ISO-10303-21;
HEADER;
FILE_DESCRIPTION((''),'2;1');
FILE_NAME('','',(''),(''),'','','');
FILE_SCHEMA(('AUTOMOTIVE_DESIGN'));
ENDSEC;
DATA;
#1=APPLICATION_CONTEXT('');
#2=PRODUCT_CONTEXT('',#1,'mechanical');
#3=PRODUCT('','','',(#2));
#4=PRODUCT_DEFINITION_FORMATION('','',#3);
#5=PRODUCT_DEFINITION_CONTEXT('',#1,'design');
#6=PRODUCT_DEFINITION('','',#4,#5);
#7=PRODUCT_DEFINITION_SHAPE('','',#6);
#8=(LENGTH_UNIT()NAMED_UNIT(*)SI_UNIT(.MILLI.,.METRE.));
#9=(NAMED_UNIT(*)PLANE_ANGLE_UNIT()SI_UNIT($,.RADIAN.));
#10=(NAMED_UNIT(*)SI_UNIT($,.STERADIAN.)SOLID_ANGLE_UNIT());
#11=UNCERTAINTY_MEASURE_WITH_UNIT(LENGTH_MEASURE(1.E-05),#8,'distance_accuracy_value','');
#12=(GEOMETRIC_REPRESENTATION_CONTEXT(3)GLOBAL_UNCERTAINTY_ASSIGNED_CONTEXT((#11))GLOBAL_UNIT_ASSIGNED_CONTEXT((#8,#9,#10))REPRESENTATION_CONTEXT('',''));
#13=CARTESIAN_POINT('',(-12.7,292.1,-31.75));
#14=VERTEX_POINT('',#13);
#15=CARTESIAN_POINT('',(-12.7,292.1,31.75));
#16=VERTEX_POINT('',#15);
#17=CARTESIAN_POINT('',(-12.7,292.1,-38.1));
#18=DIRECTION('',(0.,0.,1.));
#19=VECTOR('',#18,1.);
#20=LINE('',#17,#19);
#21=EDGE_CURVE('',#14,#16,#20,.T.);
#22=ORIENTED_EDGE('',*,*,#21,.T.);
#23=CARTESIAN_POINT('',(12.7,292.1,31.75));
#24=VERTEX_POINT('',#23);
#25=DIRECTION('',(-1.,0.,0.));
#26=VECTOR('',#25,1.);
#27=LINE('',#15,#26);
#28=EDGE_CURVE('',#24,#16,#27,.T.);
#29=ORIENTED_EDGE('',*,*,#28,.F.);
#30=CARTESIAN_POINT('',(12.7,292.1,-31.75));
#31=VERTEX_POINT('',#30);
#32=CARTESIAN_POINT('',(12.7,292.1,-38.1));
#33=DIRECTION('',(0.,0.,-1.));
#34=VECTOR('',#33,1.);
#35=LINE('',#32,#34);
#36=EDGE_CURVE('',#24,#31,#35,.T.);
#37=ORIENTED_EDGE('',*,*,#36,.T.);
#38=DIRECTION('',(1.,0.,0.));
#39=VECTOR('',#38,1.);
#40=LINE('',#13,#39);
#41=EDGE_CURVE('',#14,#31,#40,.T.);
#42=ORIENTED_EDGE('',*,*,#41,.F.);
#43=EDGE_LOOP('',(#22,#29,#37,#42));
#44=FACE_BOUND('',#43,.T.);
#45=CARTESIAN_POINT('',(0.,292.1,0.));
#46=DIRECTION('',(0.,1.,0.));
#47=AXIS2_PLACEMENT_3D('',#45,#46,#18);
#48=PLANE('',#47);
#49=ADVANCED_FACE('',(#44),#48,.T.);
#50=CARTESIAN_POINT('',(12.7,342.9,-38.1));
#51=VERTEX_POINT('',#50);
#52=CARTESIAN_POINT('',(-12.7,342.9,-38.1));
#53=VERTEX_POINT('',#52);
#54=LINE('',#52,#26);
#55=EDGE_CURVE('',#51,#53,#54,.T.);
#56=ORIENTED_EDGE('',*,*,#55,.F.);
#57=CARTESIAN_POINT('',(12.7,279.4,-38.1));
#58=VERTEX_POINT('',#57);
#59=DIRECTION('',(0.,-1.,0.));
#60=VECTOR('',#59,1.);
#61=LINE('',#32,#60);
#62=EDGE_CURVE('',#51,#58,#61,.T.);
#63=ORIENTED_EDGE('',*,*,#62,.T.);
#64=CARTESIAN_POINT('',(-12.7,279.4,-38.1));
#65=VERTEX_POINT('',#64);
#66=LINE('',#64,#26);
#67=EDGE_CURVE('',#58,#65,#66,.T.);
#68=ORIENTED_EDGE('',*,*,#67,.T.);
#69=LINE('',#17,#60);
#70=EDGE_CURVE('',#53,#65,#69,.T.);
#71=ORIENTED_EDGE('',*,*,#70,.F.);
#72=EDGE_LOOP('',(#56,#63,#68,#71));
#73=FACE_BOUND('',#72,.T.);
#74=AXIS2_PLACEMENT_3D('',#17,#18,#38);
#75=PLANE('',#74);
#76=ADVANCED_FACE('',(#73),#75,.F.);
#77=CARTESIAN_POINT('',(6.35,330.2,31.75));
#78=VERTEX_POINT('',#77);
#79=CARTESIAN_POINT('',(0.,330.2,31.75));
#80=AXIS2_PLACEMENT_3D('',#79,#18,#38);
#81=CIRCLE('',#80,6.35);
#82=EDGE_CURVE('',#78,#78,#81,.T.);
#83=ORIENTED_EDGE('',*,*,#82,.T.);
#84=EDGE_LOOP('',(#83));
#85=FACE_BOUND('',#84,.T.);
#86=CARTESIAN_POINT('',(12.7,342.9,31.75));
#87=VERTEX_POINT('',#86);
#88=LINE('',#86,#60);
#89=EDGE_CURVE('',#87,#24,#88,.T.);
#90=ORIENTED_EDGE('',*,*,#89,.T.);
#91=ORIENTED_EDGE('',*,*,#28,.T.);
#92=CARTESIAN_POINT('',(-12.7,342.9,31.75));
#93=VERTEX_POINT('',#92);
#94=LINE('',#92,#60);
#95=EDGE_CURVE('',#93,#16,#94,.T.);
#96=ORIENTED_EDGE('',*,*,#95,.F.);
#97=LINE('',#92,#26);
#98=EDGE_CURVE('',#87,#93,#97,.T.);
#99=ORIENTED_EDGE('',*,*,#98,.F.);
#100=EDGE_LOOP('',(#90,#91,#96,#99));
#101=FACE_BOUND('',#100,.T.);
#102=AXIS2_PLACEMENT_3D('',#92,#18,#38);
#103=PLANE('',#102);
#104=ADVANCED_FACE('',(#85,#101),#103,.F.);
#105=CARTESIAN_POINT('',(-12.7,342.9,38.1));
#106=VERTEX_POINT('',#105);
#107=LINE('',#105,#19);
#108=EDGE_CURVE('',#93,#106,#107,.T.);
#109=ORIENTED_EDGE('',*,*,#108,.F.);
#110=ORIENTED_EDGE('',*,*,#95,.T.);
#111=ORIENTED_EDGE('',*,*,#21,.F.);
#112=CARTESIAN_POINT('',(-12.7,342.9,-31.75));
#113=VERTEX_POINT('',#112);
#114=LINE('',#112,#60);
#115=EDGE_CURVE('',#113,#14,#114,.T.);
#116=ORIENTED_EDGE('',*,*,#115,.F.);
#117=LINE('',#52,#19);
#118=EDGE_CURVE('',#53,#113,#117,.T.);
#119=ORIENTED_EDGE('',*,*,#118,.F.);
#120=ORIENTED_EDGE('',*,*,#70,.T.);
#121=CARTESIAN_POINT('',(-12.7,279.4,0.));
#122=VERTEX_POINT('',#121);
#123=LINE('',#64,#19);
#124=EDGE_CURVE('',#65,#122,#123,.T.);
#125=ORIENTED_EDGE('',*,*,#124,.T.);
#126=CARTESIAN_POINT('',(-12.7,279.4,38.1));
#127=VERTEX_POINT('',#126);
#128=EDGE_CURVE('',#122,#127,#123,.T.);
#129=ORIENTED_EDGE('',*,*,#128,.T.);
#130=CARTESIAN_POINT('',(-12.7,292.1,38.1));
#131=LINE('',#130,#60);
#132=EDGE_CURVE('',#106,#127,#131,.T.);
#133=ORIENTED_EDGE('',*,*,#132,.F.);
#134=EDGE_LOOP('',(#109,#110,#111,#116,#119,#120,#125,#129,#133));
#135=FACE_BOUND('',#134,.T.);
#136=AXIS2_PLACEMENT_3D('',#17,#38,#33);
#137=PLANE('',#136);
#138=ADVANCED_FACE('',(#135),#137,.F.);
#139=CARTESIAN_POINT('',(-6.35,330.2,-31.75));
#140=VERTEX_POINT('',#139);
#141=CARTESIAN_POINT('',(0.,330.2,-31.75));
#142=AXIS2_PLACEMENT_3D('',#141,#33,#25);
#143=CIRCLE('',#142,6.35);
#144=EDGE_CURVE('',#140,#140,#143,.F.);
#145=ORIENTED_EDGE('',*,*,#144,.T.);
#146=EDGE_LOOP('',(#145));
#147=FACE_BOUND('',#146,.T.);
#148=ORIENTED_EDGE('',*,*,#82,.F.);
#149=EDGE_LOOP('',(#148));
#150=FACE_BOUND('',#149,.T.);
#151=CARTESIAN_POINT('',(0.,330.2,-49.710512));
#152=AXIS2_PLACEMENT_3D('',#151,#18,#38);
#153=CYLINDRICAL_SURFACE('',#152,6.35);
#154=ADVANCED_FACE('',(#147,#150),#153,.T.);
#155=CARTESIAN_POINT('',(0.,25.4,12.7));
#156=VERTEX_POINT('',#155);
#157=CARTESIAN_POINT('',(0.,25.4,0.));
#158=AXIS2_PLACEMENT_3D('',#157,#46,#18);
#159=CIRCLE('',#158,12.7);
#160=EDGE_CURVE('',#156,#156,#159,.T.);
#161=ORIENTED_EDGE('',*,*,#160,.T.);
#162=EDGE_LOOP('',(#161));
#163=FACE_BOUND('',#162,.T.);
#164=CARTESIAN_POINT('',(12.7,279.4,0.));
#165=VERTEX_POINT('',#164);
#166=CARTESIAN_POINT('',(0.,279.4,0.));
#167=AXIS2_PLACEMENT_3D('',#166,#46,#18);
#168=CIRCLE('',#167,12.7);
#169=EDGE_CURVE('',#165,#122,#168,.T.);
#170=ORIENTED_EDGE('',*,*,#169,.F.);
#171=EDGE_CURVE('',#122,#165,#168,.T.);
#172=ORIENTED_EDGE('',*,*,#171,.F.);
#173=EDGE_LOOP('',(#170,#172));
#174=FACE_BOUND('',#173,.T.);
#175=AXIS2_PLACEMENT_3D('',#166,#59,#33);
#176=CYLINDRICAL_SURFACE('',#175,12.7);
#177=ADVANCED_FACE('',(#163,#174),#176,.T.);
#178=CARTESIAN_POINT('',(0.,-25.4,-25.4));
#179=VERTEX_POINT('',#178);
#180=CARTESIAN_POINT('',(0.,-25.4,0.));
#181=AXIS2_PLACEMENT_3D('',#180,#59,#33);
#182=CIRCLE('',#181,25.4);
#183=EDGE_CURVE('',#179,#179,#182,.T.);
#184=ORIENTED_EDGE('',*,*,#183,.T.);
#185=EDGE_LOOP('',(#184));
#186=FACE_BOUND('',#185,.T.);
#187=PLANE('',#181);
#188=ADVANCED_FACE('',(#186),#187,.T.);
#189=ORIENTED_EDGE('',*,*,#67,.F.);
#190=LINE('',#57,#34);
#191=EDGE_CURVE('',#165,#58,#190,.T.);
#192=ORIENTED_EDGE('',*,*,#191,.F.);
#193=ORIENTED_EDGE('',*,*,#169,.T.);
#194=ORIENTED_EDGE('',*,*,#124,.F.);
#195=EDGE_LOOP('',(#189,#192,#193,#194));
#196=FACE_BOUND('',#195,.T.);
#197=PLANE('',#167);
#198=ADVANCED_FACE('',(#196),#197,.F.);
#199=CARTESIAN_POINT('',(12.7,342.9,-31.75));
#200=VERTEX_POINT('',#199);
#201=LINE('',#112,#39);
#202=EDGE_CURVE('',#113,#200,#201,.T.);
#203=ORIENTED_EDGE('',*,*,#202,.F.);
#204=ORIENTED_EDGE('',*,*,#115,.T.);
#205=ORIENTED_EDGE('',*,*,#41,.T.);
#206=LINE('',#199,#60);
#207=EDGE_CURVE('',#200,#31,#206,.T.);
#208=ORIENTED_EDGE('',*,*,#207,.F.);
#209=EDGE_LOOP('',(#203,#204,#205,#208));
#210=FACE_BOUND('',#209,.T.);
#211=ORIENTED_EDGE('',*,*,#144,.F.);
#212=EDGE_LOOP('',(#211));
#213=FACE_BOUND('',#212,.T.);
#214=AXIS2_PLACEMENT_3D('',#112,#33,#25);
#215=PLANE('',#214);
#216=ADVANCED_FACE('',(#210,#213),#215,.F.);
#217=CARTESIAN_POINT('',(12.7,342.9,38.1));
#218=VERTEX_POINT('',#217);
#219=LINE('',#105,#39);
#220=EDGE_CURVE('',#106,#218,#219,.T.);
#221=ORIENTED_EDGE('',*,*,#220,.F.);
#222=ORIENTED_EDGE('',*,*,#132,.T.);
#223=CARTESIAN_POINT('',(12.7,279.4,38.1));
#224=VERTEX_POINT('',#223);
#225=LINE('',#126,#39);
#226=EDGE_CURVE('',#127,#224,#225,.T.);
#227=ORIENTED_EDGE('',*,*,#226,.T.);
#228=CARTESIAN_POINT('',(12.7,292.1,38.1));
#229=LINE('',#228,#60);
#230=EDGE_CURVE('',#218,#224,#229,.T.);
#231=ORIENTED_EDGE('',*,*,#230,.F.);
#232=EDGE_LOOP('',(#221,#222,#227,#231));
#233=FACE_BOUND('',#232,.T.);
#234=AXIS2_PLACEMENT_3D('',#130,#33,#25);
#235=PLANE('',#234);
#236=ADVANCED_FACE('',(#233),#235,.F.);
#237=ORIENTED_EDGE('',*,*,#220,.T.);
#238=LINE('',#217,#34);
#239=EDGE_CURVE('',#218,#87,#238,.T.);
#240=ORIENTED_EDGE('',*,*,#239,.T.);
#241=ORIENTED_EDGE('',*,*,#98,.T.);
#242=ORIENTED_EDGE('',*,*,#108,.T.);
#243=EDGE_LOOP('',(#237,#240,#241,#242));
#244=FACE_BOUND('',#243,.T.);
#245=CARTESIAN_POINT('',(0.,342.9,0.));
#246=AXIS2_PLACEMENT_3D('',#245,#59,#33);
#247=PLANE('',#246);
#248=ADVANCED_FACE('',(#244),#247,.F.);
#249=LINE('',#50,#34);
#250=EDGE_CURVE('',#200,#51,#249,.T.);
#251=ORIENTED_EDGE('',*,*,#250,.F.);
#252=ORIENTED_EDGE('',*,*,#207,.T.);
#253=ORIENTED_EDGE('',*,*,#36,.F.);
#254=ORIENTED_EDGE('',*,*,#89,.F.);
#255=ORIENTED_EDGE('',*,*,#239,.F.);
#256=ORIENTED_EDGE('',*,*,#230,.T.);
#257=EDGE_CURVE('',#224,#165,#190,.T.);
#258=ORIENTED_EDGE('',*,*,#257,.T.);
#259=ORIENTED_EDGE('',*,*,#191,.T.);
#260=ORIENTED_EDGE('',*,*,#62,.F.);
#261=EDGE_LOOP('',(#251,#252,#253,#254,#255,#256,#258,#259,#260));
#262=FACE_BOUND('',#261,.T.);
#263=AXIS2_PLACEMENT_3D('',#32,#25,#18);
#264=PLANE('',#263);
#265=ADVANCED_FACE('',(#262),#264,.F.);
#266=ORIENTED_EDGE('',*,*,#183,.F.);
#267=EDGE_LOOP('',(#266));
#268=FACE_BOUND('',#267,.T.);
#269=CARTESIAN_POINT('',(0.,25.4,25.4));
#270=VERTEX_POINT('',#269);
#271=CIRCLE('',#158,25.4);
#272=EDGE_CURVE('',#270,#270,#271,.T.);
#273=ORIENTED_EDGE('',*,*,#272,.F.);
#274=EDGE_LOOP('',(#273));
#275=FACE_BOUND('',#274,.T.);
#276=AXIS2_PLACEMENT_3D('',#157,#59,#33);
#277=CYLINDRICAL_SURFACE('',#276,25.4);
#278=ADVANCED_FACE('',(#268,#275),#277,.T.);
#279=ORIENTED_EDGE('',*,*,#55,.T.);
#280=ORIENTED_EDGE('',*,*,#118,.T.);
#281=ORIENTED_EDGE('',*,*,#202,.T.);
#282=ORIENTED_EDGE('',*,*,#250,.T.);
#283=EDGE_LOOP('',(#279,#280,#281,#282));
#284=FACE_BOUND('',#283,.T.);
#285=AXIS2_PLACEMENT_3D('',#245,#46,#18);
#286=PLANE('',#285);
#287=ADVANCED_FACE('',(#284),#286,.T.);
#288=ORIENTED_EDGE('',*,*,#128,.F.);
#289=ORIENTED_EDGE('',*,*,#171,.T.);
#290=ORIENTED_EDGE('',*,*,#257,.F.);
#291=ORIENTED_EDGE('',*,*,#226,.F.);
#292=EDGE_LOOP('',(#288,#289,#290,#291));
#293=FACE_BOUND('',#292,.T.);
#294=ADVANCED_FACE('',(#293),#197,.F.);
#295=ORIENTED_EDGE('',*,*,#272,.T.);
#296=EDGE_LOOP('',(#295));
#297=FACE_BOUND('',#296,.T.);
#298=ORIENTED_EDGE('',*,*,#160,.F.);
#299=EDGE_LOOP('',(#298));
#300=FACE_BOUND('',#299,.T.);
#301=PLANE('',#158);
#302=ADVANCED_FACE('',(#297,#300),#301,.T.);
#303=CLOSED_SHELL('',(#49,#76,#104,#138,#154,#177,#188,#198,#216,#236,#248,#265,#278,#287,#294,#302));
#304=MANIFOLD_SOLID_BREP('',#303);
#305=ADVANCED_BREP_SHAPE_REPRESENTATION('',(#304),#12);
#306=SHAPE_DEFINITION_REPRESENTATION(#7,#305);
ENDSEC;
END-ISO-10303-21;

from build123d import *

# Parameters (mm, degrees)
SKETCH2_R           = 25.4
BOSS_EXTRUDE1_DEPTH = 25.4
SKETCH3_R           = 12.7
BOSS_EXTRUDE2_DEPTH = 254
SKETCH4_W           = 25.4
SKETCH4_H           = 76.2
BOSS_EXTRUDE3_DEPTH = 12.7
SKETCH5_W           = 25.4
SKETCH5_H           = 6.35
BOSS_EXTRUDE4_DEPTH = 50.8
SKETCH6_R           = 6.35
BOSS_EXTRUDE5_DEPTH = 69.85
SKETCH7_R           = 25.4
BOSS_EXTRUDE6_DEPTH = 25.4


with BuildPart() as part:
    # Sketch2 → Boss-Extrude1 (new body)
    with BuildSketch(Plane(origin=(0, 0, 0), x_dir=(1, 0, 0), z_dir=(0, 1, 0))):
        Circle(SKETCH2_R)
    extrude(amount=BOSS_EXTRUDE1_DEPTH)

    # Sketch3 → Boss-Extrude2 (add)
    with BuildSketch(Plane(origin=(0, 25.4, 0), x_dir=(1, 0, 0), z_dir=(0, 1, 0))):
        Circle(SKETCH3_R)
    extrude(amount=BOSS_EXTRUDE2_DEPTH)

    # Sketch4 → Boss-Extrude3 (add)
    with BuildSketch(Plane(origin=(0, 279.4, 0), x_dir=(1, 0, 0), z_dir=(0, 1, 0))):
        Rectangle(SKETCH4_W, SKETCH4_H)
    extrude(amount=BOSS_EXTRUDE3_DEPTH)

    # Sketch5 → Boss-Extrude4 (add)
    with BuildSketch(Plane(origin=(0, 292.1, 0), x_dir=(1, 0, 0), z_dir=(0, 1, 0))):
        with Locations((0, 34.925)):
            Rectangle(SKETCH5_W, SKETCH5_H)
        with Locations((0, -34.925)):
            Rectangle(SKETCH5_W, SKETCH5_H)
    extrude(amount=BOSS_EXTRUDE4_DEPTH)

    # Sketch6 → Boss-Extrude5 (add)
    with BuildSketch(Plane.XY.offset(38.1)):
        with Locations((0, 330.2)):
            Circle(SKETCH6_R)
    extrude(amount=-BOSS_EXTRUDE5_DEPTH)

    # Sketch7 → Boss-Extrude6 (add)
    with BuildSketch(Plane.XZ):
        Circle(SKETCH7_R)
    extrude(amount=BOSS_EXTRUDE6_DEPTH)


solid = part.part
